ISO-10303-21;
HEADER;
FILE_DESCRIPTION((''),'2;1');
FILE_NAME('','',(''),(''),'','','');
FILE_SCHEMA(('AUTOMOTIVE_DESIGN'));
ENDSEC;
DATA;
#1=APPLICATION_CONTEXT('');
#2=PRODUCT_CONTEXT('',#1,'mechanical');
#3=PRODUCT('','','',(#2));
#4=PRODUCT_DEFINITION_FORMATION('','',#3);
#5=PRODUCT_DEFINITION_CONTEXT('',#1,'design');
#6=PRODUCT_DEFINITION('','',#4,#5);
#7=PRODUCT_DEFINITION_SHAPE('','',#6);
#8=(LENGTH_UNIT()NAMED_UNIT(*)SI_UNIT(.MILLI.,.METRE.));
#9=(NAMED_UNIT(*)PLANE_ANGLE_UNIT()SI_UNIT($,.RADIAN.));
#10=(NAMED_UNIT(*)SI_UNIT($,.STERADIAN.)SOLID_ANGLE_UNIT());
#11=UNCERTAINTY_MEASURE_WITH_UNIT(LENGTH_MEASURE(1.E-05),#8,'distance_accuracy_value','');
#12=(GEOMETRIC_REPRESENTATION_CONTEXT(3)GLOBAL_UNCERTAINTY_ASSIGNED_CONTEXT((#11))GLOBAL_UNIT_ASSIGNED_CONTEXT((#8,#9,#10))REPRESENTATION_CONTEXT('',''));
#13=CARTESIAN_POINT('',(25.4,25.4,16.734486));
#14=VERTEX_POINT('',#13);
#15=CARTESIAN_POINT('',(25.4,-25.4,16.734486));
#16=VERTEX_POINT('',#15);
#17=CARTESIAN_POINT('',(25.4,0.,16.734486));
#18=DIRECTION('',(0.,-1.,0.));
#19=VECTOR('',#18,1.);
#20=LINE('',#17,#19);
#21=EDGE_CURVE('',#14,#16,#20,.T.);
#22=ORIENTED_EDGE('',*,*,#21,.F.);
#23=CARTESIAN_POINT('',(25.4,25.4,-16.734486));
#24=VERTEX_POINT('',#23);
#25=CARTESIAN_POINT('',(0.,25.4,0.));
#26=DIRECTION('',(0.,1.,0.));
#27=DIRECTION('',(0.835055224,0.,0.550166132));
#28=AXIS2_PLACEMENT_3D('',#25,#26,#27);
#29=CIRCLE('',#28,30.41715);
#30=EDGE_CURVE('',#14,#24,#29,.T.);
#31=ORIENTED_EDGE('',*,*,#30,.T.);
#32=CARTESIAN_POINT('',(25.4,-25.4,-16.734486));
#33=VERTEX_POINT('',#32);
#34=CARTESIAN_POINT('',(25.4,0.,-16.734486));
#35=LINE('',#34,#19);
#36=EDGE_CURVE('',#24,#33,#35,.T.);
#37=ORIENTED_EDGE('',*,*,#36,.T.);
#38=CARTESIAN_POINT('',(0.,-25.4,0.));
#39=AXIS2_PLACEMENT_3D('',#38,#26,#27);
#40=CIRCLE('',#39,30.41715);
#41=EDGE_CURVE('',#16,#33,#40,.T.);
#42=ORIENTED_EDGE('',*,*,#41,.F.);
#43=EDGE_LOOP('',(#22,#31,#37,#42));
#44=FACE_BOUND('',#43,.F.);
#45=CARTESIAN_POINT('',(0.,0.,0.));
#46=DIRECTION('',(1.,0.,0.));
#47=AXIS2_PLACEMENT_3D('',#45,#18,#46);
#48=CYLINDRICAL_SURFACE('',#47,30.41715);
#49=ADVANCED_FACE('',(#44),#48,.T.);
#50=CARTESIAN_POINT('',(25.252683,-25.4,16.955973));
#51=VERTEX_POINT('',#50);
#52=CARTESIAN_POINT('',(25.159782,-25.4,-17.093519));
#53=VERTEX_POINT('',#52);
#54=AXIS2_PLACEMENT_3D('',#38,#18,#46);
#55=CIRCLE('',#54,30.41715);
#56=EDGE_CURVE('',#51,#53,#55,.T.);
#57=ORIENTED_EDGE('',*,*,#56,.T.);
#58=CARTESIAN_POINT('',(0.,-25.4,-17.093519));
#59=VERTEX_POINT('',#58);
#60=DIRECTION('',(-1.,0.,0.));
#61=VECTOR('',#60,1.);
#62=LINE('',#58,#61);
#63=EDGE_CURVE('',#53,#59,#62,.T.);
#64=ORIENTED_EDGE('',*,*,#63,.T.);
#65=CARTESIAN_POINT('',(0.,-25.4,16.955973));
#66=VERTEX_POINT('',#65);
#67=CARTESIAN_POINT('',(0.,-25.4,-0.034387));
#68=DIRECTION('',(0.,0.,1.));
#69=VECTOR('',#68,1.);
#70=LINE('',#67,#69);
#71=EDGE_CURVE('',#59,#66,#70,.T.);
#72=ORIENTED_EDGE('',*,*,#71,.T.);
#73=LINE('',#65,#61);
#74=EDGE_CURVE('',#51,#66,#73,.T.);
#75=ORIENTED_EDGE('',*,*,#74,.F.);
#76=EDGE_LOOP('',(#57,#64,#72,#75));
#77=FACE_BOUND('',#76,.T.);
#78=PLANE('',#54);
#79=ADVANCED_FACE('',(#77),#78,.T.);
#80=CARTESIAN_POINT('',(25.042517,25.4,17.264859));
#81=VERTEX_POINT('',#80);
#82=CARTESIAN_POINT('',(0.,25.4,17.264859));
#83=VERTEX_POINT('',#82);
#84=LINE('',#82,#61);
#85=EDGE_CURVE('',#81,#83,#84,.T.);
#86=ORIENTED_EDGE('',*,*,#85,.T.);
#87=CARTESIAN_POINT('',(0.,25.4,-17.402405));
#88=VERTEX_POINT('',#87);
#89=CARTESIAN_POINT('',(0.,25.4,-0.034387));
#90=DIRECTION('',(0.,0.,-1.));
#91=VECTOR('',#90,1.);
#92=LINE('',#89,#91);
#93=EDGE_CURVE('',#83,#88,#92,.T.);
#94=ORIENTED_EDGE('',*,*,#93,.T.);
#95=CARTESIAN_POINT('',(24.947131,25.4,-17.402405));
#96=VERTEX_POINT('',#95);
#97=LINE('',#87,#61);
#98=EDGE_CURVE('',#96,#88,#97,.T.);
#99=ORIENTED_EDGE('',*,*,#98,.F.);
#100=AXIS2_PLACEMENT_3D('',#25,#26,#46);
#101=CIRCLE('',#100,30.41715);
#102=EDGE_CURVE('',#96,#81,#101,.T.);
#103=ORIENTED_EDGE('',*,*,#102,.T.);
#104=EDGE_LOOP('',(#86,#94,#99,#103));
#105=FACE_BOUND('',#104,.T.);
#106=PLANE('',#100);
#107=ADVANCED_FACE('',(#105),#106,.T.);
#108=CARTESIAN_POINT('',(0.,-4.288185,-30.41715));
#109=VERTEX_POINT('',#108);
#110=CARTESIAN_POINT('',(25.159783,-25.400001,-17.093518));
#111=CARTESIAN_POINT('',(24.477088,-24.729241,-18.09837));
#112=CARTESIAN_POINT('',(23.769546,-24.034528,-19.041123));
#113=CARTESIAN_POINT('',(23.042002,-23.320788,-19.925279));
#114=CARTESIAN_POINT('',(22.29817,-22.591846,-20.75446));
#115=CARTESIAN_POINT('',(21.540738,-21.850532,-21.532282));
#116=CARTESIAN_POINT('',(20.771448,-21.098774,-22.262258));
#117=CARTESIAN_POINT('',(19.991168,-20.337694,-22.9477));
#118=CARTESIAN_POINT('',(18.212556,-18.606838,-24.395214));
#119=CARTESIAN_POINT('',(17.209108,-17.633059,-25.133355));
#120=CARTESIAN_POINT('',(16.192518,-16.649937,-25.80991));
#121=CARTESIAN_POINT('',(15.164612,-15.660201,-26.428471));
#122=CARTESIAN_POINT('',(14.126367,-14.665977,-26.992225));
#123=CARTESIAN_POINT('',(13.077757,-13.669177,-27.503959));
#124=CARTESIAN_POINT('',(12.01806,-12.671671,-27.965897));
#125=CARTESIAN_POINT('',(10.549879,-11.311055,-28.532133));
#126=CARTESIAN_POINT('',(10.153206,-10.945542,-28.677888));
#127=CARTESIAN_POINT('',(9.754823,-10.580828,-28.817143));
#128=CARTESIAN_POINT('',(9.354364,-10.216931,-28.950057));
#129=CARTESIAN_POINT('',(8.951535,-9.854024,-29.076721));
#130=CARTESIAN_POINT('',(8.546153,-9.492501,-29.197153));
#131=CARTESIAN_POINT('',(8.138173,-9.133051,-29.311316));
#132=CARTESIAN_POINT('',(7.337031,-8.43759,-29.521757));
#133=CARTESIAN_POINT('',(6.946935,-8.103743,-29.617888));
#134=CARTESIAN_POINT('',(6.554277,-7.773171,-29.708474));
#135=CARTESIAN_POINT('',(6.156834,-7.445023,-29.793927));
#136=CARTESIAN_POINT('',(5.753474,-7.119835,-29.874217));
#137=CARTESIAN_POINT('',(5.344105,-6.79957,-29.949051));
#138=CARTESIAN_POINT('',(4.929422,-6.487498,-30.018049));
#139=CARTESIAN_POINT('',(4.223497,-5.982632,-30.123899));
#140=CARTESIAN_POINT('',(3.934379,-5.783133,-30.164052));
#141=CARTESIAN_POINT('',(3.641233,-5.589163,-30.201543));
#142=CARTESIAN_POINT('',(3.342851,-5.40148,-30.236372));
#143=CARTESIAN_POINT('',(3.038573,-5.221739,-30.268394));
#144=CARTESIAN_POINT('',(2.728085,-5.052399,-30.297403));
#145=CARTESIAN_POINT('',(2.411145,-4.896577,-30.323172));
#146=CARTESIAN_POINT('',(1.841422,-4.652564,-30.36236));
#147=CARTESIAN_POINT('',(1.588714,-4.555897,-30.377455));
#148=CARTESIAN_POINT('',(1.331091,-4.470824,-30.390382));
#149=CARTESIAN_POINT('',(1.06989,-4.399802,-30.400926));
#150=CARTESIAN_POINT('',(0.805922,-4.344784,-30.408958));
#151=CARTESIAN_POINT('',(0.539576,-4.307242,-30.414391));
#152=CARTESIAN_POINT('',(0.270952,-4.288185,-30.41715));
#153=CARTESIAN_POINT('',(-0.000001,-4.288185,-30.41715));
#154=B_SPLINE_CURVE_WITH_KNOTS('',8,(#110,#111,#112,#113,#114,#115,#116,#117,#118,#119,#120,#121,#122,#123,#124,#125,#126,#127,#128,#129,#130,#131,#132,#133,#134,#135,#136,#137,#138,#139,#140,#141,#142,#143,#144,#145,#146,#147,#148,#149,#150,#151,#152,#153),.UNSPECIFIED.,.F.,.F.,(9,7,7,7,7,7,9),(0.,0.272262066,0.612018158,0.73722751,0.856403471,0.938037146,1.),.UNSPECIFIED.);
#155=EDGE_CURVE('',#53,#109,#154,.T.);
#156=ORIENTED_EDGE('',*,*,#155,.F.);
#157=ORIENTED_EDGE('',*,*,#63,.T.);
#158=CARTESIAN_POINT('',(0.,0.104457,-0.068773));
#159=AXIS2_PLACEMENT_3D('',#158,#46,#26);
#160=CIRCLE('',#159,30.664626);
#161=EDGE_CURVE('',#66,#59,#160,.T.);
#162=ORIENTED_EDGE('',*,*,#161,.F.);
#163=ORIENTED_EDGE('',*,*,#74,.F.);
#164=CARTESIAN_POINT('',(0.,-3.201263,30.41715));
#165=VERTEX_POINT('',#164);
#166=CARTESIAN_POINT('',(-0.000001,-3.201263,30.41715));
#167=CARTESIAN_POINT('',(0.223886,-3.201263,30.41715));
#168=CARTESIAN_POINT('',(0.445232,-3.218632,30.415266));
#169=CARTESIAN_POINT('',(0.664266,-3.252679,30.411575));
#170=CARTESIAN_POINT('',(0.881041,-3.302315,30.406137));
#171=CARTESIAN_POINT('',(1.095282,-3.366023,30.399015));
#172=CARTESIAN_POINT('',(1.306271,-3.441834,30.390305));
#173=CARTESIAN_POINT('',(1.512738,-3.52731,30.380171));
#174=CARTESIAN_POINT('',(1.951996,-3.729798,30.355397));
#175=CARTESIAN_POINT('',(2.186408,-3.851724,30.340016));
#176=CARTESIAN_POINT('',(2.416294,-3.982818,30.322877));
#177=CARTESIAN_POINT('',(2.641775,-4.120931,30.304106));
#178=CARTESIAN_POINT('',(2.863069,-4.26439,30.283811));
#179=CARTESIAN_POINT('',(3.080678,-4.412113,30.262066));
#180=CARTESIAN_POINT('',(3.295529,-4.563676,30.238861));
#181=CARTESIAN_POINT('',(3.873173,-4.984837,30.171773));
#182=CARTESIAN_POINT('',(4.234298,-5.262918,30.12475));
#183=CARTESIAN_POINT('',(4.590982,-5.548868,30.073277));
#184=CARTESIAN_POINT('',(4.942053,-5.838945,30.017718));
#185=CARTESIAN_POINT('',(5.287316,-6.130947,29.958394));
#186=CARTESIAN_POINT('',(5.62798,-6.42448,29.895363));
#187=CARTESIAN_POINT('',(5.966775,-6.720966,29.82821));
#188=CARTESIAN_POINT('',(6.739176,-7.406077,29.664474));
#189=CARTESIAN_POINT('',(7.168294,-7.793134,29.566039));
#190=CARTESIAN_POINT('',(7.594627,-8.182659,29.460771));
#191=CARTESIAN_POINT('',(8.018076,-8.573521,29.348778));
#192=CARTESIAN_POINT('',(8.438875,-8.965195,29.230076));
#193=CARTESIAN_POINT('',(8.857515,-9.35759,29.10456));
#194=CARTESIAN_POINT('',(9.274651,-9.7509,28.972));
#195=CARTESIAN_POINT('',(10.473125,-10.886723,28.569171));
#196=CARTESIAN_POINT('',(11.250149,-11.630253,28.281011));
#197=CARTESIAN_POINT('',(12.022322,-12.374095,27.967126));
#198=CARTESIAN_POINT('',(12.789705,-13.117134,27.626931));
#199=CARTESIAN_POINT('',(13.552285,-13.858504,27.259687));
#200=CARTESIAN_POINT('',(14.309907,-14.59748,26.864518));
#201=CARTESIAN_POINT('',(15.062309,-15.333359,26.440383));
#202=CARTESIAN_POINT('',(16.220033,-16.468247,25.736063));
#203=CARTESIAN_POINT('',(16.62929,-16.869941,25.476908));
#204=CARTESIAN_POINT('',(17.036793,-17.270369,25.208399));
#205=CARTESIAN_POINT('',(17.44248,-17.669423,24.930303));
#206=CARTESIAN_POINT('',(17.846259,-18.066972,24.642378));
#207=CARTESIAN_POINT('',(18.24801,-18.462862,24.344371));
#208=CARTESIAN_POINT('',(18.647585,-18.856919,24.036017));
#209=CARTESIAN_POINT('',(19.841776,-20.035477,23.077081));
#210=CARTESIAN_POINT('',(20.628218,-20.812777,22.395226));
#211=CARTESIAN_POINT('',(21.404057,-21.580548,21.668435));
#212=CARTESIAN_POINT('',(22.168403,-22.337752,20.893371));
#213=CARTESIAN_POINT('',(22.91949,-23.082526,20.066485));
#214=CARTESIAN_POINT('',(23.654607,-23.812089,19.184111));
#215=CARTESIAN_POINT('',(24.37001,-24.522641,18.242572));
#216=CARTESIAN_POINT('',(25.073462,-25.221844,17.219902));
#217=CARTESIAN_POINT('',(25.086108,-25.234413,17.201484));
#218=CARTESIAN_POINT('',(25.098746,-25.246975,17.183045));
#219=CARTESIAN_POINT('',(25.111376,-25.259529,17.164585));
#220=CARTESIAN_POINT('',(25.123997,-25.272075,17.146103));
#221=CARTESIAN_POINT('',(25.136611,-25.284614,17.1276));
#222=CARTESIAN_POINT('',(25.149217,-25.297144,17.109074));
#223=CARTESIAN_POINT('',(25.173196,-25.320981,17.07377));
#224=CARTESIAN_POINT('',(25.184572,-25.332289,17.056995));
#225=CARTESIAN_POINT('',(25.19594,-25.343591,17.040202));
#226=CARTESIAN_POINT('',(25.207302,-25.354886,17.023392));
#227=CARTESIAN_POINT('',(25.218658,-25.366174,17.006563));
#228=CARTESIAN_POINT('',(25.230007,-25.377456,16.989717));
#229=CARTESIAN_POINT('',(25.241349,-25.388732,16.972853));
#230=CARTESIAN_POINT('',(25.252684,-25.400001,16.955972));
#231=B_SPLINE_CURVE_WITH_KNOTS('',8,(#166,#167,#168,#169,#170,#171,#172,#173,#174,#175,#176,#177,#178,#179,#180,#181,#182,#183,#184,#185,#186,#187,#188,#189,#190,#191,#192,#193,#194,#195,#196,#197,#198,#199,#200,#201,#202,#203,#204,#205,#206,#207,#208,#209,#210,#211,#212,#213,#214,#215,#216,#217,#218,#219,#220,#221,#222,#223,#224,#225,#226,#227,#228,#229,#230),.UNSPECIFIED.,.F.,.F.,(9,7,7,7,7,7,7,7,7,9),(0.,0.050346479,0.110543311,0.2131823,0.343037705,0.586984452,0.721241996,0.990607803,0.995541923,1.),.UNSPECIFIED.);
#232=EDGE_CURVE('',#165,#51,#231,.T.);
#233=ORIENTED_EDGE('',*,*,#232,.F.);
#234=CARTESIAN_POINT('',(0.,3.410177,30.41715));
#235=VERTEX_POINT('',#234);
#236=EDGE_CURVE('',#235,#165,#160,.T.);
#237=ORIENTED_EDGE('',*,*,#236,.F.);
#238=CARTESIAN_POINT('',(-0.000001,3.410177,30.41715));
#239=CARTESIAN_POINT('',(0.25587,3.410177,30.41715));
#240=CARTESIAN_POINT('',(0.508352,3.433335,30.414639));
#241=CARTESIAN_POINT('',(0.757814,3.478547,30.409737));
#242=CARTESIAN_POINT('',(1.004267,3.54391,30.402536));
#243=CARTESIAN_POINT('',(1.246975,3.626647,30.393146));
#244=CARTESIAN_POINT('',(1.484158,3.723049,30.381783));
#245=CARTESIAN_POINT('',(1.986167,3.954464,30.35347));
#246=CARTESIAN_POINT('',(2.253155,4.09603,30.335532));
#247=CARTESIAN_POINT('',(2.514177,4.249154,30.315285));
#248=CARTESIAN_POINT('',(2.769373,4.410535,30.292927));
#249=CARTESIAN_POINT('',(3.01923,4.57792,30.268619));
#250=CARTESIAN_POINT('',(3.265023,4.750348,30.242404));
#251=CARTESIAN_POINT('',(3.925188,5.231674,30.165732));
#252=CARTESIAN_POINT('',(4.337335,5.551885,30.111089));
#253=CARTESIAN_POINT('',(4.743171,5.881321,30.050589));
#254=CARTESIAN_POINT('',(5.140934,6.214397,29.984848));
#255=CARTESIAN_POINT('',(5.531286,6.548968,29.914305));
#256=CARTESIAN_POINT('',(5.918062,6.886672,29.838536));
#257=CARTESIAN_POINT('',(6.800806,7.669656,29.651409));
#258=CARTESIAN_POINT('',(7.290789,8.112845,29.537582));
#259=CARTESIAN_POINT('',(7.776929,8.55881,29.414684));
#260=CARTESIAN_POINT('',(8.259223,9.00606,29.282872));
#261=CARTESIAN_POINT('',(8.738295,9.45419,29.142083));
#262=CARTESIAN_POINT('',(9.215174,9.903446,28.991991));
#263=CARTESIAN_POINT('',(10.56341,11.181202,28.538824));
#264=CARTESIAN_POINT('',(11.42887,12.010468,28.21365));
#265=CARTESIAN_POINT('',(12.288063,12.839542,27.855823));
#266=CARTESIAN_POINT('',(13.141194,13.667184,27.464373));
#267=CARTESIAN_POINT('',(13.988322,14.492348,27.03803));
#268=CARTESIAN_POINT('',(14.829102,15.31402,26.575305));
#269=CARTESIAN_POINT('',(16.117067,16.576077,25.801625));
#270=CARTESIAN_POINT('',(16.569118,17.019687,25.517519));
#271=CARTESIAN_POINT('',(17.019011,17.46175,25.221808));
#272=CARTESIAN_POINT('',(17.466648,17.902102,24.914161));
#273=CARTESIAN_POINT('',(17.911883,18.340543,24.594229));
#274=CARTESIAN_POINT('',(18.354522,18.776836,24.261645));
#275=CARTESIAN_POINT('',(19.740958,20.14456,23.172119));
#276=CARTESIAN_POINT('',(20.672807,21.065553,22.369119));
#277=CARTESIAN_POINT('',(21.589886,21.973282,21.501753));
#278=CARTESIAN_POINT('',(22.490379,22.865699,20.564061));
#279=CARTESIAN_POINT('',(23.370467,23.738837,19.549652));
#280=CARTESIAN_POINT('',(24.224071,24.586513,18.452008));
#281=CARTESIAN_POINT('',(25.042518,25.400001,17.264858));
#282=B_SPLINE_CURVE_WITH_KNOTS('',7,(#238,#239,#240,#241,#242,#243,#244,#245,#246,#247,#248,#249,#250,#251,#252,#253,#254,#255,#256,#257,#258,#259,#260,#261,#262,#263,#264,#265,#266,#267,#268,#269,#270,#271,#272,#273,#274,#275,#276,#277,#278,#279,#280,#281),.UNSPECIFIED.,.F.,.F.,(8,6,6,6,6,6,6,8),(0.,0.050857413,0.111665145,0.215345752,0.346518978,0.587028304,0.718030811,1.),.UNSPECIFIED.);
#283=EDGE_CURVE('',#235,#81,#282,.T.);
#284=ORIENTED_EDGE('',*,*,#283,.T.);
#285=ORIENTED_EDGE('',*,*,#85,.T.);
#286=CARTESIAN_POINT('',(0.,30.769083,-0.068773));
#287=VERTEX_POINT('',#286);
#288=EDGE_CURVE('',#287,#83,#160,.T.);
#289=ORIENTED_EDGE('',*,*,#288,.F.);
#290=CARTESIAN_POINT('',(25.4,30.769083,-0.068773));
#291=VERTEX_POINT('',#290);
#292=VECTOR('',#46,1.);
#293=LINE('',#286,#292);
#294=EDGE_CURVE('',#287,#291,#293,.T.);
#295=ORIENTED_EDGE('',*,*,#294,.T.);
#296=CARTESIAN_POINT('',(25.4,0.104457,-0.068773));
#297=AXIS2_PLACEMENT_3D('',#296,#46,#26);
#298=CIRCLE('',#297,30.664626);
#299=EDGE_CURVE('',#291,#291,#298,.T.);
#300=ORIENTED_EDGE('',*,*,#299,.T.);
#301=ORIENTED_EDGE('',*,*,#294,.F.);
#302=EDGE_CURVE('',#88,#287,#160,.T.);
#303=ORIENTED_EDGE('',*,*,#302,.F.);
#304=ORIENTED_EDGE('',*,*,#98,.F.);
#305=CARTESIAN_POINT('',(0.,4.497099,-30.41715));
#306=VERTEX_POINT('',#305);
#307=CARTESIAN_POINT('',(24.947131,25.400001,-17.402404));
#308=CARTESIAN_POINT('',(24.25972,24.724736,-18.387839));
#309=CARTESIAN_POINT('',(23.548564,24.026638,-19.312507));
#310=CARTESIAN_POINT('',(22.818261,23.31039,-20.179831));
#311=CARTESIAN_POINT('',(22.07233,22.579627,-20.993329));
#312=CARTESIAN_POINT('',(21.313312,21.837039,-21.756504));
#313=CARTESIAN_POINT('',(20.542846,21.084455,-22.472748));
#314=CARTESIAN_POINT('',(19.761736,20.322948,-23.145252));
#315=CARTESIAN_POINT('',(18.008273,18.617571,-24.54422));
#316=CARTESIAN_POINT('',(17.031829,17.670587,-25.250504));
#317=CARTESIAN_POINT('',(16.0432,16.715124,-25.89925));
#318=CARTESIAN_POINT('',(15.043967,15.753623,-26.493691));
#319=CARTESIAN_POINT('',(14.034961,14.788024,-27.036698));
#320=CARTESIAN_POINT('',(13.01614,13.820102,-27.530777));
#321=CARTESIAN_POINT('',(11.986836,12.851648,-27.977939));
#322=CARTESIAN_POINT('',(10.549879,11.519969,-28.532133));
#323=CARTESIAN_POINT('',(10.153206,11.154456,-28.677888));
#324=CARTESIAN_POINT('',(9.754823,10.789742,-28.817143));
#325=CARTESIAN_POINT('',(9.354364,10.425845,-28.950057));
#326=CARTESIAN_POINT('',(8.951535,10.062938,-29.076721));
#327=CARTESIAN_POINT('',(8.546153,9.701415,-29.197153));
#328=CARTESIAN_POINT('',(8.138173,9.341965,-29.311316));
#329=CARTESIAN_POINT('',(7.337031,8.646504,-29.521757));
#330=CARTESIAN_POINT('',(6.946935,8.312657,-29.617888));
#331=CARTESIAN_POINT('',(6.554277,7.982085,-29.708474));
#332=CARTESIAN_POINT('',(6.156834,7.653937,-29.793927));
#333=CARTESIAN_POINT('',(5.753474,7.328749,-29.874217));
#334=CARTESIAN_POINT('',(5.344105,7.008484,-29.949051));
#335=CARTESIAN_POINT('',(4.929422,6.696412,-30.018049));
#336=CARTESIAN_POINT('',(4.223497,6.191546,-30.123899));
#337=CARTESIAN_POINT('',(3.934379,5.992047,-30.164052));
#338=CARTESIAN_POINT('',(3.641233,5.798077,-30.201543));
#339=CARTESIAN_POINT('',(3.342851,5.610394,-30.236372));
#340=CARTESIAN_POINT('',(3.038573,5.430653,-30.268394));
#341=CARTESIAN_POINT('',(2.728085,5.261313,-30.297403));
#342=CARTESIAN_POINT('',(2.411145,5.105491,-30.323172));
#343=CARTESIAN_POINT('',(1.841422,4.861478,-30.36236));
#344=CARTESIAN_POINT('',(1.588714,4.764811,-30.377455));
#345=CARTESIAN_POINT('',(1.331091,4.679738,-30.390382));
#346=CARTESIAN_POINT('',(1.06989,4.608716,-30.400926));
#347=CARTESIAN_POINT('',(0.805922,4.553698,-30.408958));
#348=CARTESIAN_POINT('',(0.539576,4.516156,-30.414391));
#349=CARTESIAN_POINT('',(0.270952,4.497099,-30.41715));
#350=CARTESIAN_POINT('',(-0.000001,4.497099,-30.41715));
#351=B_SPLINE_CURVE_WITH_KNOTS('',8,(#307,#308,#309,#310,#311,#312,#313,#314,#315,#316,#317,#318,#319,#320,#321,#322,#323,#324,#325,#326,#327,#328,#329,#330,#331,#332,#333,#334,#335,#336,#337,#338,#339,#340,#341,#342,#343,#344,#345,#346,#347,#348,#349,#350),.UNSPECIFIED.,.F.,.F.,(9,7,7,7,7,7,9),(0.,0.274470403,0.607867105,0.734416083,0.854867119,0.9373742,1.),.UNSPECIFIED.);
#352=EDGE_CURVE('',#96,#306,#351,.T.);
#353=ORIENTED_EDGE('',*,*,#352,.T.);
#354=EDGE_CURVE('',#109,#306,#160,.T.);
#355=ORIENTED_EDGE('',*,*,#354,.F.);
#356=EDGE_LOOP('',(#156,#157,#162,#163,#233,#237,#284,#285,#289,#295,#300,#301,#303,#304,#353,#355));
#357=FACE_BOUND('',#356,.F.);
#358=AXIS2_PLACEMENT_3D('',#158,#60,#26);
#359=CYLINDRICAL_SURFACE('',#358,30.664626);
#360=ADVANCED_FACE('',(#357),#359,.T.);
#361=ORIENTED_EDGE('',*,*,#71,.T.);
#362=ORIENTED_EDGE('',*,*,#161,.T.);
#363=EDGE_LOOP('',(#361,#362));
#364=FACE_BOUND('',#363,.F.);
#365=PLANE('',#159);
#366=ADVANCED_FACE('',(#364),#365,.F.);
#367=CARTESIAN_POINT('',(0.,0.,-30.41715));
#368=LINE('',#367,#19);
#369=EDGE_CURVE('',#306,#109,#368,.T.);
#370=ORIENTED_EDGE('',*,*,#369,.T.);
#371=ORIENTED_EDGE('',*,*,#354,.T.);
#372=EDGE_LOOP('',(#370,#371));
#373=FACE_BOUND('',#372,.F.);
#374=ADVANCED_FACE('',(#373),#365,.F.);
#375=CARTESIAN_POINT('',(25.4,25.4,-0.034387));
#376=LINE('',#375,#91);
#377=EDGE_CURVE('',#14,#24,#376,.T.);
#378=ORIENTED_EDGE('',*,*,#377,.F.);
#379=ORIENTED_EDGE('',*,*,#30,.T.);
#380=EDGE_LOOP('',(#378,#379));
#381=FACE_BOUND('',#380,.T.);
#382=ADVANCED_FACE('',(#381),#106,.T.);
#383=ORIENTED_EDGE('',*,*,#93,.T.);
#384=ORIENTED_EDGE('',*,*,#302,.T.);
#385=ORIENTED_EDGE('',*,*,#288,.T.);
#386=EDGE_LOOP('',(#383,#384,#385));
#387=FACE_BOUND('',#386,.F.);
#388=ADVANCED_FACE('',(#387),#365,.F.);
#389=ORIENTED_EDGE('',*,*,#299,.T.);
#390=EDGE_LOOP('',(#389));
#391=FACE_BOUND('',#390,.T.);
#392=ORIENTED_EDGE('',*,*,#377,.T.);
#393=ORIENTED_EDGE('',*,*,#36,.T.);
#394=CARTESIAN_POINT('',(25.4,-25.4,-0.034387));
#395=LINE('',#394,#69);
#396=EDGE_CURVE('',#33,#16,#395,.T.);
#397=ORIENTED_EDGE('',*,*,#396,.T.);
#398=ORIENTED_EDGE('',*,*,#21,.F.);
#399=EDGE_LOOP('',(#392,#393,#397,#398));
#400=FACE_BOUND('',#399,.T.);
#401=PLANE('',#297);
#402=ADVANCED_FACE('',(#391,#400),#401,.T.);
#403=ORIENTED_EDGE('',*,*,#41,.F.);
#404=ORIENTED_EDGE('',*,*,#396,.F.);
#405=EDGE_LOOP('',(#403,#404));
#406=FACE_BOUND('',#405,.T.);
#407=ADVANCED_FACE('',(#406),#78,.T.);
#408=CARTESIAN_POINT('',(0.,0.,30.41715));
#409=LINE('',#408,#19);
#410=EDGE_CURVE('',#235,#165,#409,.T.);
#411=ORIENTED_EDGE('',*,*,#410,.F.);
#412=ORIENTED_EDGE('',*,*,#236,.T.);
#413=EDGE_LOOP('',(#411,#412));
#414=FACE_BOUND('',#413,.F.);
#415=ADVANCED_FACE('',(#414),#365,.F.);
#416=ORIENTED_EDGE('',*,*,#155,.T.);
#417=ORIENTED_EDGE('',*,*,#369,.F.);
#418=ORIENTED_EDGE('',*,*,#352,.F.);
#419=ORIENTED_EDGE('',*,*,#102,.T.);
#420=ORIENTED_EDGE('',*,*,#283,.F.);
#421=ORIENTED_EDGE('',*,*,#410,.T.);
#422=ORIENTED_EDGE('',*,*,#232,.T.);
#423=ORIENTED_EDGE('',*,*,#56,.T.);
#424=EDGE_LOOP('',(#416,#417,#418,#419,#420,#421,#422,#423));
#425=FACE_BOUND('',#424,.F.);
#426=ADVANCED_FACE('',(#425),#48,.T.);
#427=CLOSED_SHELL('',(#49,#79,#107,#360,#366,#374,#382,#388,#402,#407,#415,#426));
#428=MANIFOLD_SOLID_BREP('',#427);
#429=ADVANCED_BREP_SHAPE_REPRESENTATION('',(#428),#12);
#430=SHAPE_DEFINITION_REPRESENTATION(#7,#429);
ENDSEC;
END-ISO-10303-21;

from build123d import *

# Parameters (mm, degrees)
F0_R      = 30.41715
F2_DEPTH  = 25.4
F2_FACE_R = 30.41715
F3_DEPTH  = 25.4
F1_R      = 30.664626
F4_DEPTH  = 25.4


with BuildPart() as f2:
    # F0 (on Front) → F2 (new body)
    with BuildSketch(Plane.XZ):
        Circle(F0_R)
    extrude(amount=F2_DEPTH)

    # F2_face (on face) → F3 (join)
    with BuildSketch(Plane(origin=(0, 0, 0), x_dir=(1, 0, 0), z_dir=(0, 1, 0))):
        Circle(F2_FACE_R)
    extrude(amount=F3_DEPTH)

    # F1 (on Right) → F4 (join)
    with BuildSketch(Plane.YZ):
        with Locations((0.104457, -0.068773)):
            Circle(F1_R)
    extrude(amount=F4_DEPTH)


solid = f2.part
